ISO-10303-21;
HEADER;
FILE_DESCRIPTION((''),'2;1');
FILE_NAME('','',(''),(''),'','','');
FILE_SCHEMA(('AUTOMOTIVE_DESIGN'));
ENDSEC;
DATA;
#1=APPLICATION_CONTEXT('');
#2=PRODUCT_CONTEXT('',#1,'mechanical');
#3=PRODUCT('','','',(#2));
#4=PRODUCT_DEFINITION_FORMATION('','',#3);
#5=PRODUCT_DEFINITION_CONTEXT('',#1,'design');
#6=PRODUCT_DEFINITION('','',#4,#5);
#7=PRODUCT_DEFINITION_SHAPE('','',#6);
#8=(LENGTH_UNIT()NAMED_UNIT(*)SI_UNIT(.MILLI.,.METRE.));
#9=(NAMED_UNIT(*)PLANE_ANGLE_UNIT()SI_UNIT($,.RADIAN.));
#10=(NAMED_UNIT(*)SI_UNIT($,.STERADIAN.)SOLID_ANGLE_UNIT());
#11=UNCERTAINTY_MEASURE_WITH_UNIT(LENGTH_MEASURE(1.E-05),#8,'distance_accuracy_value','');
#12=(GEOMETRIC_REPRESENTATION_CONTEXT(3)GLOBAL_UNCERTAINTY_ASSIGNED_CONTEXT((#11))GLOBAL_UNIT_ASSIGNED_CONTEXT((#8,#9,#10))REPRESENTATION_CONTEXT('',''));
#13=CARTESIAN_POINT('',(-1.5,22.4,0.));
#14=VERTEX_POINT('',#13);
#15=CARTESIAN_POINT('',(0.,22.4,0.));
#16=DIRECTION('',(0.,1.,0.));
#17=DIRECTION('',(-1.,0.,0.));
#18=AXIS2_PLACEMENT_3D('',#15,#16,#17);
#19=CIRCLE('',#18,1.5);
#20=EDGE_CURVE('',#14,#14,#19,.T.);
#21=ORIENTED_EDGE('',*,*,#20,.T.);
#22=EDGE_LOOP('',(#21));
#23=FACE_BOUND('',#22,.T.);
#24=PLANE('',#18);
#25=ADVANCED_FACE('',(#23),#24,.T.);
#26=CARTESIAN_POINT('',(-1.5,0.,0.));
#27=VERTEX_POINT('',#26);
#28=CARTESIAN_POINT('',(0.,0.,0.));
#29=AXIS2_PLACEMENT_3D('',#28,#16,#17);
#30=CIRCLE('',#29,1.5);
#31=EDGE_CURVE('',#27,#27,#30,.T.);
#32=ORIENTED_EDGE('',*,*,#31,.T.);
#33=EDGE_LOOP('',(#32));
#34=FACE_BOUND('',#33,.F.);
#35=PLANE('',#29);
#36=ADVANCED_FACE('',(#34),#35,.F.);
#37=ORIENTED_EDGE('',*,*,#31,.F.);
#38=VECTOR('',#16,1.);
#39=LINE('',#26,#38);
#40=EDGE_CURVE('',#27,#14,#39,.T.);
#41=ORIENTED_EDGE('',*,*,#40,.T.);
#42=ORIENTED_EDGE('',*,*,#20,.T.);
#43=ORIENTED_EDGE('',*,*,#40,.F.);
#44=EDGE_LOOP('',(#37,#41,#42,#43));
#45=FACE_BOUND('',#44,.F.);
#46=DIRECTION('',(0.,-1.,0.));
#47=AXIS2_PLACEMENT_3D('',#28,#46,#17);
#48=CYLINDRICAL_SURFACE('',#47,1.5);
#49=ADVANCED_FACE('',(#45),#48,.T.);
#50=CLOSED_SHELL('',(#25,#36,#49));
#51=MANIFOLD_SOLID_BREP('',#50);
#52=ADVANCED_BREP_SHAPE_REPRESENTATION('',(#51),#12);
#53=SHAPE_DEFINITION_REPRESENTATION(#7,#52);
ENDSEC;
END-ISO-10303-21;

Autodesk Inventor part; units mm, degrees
ref_plane "YZ Plane" through (0, 0, 0) normal (1, 0, 0) x (0, 1, 0)
ref_plane "XZ Plane" through (0, 0, 0) normal (0, 1, 0) x (-1, 0, 0)
ref_plane "XY Plane" through (0, 0, 0) normal (0, 0, 1) x (1, 0, 0)
sketch "Эскиз1" plane through (0, 0, 0) normal (0, 1, 0) x (-1, 0, 0)
  circle A0 centre (0, 0) radius 1.5
  dimension "d0" = 3
extrude "Выдавливание1" add sketch "Эскиз1" along normal blind 22.4
properties part number "Ось балки рулевого управления"
